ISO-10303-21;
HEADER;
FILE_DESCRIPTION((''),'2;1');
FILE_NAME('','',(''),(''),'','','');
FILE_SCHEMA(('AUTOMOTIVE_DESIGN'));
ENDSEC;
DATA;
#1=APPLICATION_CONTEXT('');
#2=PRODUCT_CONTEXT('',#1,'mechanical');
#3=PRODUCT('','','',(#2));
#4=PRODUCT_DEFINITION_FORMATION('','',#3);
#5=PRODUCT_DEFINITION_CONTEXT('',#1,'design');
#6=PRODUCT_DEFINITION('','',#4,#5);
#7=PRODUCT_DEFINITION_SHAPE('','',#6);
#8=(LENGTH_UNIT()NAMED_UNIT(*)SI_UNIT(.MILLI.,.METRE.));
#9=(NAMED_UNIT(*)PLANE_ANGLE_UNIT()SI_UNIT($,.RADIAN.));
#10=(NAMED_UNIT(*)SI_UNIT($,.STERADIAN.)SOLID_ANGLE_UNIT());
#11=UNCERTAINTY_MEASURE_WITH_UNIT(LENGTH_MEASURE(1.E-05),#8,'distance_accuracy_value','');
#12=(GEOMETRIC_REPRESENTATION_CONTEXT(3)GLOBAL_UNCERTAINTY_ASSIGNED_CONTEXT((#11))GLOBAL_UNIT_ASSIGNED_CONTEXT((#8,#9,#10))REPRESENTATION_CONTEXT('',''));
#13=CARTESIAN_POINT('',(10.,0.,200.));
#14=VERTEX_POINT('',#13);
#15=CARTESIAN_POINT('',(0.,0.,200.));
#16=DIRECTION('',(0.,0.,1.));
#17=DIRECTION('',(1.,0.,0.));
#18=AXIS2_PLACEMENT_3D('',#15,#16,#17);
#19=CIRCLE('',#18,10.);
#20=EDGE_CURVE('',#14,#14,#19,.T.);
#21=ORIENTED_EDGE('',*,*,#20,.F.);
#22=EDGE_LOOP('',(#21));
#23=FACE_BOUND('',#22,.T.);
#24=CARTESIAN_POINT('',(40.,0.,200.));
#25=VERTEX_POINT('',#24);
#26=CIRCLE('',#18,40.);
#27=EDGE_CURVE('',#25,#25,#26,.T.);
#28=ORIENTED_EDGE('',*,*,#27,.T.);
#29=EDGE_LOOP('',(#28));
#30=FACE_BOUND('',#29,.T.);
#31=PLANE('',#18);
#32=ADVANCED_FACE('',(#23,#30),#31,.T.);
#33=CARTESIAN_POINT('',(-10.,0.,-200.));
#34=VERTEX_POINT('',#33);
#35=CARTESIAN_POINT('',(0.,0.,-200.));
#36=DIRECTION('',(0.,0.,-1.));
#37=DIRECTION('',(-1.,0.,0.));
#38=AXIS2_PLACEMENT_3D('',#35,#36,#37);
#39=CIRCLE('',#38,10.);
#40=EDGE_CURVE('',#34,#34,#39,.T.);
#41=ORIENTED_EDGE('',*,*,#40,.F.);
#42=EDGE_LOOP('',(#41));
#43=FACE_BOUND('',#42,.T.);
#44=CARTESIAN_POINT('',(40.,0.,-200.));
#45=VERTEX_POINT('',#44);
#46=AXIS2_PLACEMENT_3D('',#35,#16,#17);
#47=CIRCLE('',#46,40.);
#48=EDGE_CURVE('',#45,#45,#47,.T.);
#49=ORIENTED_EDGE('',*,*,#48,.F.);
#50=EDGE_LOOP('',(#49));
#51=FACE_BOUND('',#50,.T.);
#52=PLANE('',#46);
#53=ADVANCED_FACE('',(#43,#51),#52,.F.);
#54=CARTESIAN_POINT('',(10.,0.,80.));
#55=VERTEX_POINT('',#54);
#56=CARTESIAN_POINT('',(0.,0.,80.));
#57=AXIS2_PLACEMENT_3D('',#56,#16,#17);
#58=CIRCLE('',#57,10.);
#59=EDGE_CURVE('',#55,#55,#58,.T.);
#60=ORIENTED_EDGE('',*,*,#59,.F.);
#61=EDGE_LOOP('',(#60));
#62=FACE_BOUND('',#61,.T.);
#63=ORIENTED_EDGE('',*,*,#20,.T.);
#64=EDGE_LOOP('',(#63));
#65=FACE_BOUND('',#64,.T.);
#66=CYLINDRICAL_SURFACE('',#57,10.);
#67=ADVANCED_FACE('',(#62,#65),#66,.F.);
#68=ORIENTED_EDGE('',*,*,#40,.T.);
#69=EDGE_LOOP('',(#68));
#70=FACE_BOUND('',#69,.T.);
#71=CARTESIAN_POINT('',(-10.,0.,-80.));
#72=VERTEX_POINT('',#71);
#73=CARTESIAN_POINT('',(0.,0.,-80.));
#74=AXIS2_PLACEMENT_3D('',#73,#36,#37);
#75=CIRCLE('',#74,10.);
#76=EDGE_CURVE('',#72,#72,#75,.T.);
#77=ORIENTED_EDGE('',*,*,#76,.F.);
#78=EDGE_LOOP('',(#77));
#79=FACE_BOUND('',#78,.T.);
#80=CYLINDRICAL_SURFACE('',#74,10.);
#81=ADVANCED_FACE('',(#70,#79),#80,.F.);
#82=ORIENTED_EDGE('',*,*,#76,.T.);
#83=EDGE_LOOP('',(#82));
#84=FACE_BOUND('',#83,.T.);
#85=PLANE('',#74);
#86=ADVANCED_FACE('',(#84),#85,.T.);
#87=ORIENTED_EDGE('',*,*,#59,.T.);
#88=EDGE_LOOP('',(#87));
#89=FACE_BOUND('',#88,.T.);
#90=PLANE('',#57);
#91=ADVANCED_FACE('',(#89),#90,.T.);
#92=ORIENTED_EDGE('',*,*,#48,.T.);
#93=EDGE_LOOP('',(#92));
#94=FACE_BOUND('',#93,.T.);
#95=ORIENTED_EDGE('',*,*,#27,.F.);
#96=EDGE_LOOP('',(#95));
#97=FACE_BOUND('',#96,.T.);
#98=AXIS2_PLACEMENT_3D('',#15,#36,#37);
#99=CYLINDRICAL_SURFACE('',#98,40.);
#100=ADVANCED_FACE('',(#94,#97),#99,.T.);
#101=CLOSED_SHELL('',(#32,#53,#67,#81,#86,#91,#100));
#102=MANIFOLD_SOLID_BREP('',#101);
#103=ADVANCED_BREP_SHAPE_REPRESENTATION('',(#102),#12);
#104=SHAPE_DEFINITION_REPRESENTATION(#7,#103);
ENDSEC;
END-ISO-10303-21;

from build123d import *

# Parameters (mm, degrees)
SKETCH1_R           = 40
BOSS_EXTRUDE1_DEPTH = 200
SKETCH2_R           = 10
CUT_EXTRUDE1_DEPTH  = 120
CUT_EXTRUDE2_START  = -120
SKETCH3_R           = 10
CUT_EXTRUDE2_DEPTH  = 120


with BuildPart() as part:
    # Sketch1 → Boss-Extrude1 (new, symmetric)
    with BuildSketch(Plane.XY):
        Circle(SKETCH1_R)
    extrude(amount=BOSS_EXTRUDE1_DEPTH, both=True)

    # Sketch2 → Cut-Extrude1 (cut)
    with BuildSketch(Plane.XY.offset(200)):
        Circle(SKETCH2_R)
    extrude(amount=-CUT_EXTRUDE1_DEPTH, mode=Mode.SUBTRACT)

    # Sketch3 → Cut-Extrude2 (cut)
    with BuildSketch(Plane(origin=(0, 0, -200), x_dir=(-1, 0, 0), z_dir=(0, 0, -1)).offset(CUT_EXTRUDE2_START)):
        with Locations(Location((0, 0, 0), (0, 0, 180))):
            Circle(SKETCH3_R)
    extrude(amount=CUT_EXTRUDE2_DEPTH, mode=Mode.SUBTRACT)


solid = part.part
